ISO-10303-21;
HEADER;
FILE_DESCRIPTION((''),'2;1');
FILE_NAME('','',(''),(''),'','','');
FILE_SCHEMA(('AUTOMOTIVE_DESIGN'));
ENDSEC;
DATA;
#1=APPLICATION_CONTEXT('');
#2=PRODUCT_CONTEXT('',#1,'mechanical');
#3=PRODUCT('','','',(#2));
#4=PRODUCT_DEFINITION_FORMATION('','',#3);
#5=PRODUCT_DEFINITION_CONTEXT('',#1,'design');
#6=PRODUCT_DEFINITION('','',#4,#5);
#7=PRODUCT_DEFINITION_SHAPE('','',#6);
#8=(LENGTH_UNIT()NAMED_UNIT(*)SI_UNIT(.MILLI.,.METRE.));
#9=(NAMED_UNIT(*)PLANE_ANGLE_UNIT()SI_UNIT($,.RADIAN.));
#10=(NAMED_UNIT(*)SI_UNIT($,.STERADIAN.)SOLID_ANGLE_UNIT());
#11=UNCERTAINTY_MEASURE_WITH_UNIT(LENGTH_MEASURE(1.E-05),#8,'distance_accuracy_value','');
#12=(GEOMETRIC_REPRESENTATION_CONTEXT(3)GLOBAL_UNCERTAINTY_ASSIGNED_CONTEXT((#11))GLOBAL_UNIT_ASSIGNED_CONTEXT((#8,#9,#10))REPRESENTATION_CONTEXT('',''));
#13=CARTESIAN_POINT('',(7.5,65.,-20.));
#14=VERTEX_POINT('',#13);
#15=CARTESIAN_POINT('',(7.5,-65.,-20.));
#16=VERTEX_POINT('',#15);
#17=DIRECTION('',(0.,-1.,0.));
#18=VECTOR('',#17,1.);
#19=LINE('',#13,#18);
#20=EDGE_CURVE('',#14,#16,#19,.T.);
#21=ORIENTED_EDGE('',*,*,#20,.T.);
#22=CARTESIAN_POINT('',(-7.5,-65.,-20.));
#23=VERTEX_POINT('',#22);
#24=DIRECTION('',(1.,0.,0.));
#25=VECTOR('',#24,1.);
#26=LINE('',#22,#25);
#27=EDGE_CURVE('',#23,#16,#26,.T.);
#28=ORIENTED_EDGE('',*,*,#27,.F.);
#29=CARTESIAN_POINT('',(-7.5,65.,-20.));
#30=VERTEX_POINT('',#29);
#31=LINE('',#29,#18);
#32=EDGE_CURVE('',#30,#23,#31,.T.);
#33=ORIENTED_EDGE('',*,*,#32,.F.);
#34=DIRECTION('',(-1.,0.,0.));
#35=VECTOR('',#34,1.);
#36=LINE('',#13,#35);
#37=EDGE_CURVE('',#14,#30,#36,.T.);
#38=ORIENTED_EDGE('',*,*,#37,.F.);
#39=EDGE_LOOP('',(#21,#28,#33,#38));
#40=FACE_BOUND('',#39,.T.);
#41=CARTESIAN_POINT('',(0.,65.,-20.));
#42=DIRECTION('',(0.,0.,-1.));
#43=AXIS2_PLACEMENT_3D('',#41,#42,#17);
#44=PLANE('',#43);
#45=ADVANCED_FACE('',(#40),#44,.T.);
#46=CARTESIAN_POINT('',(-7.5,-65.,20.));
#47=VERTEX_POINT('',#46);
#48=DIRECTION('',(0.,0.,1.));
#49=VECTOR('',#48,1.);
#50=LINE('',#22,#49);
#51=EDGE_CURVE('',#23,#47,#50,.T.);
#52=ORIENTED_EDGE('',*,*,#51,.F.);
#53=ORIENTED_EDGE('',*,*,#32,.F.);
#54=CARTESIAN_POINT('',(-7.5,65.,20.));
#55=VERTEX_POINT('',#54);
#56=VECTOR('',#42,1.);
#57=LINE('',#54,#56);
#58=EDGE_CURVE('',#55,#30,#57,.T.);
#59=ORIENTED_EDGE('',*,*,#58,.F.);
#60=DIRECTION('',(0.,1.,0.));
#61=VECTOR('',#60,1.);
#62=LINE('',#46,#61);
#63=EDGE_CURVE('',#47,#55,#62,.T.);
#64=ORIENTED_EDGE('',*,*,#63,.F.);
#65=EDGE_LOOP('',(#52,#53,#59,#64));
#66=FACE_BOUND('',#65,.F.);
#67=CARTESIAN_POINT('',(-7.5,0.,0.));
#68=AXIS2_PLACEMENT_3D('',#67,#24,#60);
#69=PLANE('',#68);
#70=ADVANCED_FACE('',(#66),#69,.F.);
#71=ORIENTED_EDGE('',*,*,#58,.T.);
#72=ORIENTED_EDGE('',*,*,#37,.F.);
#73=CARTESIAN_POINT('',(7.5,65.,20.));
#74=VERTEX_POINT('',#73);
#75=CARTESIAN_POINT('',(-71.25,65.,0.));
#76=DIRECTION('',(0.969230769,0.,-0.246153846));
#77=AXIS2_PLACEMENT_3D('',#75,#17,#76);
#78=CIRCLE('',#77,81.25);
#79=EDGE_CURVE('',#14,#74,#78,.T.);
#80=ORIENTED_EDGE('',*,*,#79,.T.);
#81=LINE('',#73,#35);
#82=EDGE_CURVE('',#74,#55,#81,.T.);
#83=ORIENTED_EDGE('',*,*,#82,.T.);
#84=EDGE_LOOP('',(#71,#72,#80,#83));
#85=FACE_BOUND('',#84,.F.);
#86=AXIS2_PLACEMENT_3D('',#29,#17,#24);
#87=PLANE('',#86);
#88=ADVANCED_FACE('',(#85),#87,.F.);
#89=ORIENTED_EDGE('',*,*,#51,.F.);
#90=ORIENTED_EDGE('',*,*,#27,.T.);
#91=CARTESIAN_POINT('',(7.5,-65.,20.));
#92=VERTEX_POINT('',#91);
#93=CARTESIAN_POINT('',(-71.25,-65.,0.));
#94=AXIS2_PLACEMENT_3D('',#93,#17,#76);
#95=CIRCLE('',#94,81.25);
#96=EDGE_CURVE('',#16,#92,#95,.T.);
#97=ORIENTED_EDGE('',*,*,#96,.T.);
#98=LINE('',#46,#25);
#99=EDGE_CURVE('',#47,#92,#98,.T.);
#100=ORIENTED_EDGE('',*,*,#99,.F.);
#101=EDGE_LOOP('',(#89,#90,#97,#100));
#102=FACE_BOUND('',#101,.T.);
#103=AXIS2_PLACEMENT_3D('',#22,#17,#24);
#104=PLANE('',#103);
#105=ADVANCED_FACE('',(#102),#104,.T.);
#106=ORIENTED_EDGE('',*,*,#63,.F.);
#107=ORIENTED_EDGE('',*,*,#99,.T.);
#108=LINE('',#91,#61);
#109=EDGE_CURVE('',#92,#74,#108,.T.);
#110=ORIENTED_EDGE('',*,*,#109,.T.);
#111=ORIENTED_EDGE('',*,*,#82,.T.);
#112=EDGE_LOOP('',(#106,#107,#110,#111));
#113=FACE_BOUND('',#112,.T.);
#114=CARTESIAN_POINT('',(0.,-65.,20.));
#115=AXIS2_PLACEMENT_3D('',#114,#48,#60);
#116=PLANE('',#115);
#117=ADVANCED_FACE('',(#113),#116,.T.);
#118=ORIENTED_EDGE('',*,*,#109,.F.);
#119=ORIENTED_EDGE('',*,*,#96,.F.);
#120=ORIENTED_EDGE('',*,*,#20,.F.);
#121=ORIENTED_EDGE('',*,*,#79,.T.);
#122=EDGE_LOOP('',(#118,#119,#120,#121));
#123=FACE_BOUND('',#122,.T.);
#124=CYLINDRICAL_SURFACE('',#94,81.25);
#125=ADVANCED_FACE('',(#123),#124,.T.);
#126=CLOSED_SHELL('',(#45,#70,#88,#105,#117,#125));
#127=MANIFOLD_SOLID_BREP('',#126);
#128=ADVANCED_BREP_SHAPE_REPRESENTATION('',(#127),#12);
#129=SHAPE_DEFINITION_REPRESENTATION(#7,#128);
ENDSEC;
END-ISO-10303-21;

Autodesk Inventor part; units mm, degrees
ref_plane "YZ Plane" through (0, 0, 0) normal (1, 0, 0) x (0, 1, 0)
ref_plane "XZ Plane" through (0, 0, 0) normal (0, 1, 0) x (-1, 0, 0)
ref_plane "XY Plane" through (0, 0, 0) normal (0, 0, 1) x (1, 0, 0)
sketch "Szkic1" plane through (0, 0, 0) normal (1, 0, 0) x (0, 1, 0)
  line L0 (-65, 20) -> (65, 20)
  line L1 (65, 20) -> (65, -20)
  line L2 (65, -20) -> (-65, -20)
  line L3 (-65, -20) -> (-65, 20)
  line L4 (-65, 20) -> (65, -20) construction
  line L5 (65, 20) -> (-65, -20) construction
  point P0 (0, 0)
  dimension "d0" = 130
  dimension "d1" = 40
extrude "Wyciągnięcie proste1" add sketch "Szkic1" along normal mid plane 15
sketch "Szkic2" plane through (-7.5, -65, -20) normal (0, -1, 0) x (1, 0, 0)
  line L0 (7.5, 20) -> (17.5, 20) construction
  line L1 (15, 0) -> (0, 0) construction
  arc A0 (15, 0) -> (15, 40) centre (-63.75, 20) ccw
  line L2 (15, 40) -> (15, 0) projected
  dimension "d4" = 10
extrude "Wyciągnięcie proste2" add sketch "Szkic2" against normal up to surface (130 mm away)
properties part number "bepf_bateria_lipo" material "Tworzywo o ultrawysokiej masie cząsteczkowej, białe"
